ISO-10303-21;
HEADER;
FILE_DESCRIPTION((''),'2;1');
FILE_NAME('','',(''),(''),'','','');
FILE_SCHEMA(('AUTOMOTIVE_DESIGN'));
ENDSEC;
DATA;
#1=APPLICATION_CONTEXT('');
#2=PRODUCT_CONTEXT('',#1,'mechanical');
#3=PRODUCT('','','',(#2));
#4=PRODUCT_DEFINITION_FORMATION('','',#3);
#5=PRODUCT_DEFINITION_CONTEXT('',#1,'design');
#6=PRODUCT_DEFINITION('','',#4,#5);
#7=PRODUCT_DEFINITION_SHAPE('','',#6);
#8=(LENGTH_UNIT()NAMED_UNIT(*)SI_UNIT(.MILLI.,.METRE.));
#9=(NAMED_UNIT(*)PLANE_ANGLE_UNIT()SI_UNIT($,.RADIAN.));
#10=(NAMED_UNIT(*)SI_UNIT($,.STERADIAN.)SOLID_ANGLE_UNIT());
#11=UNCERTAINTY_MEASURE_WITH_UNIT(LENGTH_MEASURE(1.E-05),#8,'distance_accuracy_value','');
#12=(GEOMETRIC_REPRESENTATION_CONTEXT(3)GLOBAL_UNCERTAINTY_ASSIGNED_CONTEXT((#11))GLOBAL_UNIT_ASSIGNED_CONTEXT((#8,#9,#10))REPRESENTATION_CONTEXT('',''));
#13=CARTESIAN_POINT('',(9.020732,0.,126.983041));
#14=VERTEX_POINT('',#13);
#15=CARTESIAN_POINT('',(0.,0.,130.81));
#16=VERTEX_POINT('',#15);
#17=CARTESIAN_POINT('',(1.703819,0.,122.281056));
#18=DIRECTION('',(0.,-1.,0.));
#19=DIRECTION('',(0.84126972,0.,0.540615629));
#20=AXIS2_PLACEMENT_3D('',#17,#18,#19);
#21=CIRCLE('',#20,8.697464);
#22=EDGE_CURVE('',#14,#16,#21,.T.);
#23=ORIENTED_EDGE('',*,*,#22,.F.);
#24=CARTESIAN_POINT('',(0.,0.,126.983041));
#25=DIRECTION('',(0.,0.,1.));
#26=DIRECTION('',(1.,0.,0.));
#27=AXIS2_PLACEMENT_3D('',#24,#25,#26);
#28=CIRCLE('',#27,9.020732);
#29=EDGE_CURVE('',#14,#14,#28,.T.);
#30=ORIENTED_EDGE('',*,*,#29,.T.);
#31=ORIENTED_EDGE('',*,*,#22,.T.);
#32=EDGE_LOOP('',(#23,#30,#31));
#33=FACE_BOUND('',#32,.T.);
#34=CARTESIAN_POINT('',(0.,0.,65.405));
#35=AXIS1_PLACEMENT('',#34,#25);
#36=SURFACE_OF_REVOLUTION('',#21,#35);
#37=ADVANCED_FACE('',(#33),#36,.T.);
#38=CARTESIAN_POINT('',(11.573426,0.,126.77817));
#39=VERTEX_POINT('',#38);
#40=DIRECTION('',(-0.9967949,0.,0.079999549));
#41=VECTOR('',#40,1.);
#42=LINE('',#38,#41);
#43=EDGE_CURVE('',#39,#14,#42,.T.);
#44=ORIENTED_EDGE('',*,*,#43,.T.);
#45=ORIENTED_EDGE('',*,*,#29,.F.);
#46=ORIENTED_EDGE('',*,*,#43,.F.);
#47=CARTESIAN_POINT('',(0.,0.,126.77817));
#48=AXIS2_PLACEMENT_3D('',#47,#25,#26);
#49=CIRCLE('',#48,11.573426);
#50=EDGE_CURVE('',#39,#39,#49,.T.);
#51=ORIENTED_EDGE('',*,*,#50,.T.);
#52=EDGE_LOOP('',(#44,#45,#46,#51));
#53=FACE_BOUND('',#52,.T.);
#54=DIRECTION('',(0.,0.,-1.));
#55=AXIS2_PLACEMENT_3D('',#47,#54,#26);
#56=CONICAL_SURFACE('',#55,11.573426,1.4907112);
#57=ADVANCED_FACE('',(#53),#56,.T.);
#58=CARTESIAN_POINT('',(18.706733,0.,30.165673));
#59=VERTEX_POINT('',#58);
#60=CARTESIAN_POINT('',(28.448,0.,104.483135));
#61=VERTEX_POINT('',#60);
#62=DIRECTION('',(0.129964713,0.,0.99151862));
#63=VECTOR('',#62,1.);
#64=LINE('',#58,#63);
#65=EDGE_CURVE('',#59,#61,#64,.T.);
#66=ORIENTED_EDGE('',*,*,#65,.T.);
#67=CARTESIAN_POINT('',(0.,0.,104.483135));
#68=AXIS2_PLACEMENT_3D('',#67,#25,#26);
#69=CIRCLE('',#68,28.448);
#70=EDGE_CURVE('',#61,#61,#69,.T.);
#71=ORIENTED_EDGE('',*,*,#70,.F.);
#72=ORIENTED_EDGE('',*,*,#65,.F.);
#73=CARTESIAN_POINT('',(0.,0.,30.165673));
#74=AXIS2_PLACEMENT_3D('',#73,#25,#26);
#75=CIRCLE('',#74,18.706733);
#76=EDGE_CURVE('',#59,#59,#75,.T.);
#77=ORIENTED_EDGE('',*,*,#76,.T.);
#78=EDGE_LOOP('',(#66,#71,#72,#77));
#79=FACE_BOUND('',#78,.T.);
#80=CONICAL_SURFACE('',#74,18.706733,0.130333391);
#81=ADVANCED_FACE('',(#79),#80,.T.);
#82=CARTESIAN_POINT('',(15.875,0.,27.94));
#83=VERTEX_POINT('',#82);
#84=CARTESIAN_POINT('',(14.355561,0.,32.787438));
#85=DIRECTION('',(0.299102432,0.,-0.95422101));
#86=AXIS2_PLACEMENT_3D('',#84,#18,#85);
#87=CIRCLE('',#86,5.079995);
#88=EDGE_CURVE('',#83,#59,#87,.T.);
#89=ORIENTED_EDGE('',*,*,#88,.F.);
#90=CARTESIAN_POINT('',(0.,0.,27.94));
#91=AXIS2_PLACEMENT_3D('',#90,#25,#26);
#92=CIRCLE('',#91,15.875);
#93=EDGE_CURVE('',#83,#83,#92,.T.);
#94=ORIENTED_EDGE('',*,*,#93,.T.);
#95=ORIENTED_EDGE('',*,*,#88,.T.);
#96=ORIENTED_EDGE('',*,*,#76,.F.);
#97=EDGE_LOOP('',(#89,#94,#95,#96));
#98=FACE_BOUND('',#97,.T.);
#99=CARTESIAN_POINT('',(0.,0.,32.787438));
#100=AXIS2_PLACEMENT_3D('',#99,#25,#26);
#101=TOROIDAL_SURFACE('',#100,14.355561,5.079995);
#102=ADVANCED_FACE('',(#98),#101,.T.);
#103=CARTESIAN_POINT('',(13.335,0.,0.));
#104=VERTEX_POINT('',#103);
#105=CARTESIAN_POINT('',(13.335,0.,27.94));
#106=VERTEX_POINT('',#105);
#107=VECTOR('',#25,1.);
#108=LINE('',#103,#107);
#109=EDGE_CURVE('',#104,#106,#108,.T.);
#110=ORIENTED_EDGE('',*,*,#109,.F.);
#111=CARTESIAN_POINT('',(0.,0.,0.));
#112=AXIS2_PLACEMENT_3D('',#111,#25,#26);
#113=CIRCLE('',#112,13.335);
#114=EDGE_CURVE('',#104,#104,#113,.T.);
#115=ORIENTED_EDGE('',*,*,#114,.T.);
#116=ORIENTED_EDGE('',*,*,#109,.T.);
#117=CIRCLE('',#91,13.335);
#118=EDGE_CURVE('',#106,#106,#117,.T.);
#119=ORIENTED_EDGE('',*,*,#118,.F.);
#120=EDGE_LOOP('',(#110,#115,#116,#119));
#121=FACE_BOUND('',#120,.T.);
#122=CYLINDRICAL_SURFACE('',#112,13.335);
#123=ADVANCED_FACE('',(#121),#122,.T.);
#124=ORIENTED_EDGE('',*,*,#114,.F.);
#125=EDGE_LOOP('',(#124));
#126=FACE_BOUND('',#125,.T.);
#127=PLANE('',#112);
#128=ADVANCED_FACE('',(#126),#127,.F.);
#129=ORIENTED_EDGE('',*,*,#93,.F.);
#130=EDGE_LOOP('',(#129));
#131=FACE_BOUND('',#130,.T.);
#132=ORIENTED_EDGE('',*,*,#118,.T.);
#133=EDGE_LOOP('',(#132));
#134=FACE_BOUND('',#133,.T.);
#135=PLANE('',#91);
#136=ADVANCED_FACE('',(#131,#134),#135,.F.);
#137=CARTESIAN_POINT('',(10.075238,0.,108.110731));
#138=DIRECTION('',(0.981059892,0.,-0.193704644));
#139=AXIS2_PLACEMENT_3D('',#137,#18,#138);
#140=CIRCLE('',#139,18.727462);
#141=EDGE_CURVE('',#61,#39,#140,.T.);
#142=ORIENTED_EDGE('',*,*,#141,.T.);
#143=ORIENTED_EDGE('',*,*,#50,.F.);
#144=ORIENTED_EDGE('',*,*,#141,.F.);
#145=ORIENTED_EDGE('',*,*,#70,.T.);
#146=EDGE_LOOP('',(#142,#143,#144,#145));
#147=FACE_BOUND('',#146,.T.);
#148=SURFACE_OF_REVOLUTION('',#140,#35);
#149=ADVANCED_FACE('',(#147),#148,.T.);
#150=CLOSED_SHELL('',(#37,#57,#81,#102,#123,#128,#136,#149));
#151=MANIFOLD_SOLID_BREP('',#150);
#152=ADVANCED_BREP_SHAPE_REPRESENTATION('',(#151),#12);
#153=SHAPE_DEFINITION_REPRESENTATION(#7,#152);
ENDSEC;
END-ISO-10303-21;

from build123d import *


with BuildPart() as f1:
    # F0 (on Front) → F1 (revolve)
    with BuildSketch(Plane.XZ):
        with BuildLine():
            Line((0, 27.94), (0, 0))
            Line((0, 0), (13.335, 0))
            Line((13.335, 0), (13.335, 27.94))
            Line((13.335, 27.94), (15.875, 27.94))
            ThreePointArc((15.875, 27.94), (17.494737, 28.793452), (18.706733, 30.165673))
            Line((18.706733, 30.165673), (28.448, 104.483135))
            ThreePointArc((28.448, 104.483135), (25.00778, 119.412812), (11.573426, 126.77817))
            Line((11.573426, 126.77817), (9.020732, 126.983041))
            ThreePointArc((9.020732, 126.983041), (5.100598, 130.287789), (0, 130.81))
            Line((0, 130.81), (0, 27.94))
        make_face()
    revolve(axis=Axis((0, 0, 65.405), (0, 0, 1)))


solid = f1.part
